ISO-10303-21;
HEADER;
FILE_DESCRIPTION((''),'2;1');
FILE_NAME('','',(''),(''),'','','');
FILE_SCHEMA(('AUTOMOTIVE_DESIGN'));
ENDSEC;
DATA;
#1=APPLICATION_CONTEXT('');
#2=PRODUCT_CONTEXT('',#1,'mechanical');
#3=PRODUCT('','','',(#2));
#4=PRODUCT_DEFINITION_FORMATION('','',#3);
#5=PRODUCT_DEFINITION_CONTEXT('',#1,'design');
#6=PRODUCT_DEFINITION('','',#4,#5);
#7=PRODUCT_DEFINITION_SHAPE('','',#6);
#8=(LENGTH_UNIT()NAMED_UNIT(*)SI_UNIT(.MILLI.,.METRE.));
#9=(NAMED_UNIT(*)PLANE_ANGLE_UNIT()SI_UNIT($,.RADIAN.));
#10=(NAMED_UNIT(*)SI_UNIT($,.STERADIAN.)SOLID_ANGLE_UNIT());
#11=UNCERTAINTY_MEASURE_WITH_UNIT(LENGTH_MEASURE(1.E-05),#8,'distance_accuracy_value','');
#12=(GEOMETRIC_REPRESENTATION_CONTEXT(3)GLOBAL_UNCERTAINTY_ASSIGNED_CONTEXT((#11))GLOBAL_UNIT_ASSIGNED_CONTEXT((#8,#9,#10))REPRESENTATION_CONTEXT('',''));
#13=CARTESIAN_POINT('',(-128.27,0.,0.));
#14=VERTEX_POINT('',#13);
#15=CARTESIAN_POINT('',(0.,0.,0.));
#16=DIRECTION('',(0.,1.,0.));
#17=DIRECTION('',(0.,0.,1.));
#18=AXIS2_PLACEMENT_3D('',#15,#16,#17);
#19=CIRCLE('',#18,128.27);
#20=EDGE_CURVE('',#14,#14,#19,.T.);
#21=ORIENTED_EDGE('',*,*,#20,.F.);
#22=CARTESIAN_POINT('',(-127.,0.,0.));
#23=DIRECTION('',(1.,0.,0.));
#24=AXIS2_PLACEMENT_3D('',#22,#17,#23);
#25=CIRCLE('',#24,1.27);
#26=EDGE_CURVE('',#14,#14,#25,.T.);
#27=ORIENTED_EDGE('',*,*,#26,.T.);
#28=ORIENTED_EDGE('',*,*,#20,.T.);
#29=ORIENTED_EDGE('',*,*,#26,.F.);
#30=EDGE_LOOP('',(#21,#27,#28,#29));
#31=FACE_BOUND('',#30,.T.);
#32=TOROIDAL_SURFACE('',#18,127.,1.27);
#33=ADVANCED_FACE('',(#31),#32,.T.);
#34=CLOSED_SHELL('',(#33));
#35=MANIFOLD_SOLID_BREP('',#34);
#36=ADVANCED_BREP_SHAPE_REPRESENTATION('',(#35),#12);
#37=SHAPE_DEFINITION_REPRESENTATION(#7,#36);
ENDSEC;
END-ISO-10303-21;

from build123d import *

# Parameters (mm, degrees)
SKETCH2_R = 1.27


with BuildPart() as part:
    # Sweep1: sweep along a path in Sketch1
    with BuildLine(Plane(origin=(0, 0, 0), x_dir=(1, 0, 0), z_dir=(0, 1, 0))) as sweep1_path:
        CenterArc((0, 0), 127, 0, 360)
    # Sketch2 → Sweep1 (sweep)
    with BuildSketch(Plane.XY):
        with Locations((-127, 0)):
            Circle(SKETCH2_R)
    sweep(path=sweep1_path.line)


solid = part.part
